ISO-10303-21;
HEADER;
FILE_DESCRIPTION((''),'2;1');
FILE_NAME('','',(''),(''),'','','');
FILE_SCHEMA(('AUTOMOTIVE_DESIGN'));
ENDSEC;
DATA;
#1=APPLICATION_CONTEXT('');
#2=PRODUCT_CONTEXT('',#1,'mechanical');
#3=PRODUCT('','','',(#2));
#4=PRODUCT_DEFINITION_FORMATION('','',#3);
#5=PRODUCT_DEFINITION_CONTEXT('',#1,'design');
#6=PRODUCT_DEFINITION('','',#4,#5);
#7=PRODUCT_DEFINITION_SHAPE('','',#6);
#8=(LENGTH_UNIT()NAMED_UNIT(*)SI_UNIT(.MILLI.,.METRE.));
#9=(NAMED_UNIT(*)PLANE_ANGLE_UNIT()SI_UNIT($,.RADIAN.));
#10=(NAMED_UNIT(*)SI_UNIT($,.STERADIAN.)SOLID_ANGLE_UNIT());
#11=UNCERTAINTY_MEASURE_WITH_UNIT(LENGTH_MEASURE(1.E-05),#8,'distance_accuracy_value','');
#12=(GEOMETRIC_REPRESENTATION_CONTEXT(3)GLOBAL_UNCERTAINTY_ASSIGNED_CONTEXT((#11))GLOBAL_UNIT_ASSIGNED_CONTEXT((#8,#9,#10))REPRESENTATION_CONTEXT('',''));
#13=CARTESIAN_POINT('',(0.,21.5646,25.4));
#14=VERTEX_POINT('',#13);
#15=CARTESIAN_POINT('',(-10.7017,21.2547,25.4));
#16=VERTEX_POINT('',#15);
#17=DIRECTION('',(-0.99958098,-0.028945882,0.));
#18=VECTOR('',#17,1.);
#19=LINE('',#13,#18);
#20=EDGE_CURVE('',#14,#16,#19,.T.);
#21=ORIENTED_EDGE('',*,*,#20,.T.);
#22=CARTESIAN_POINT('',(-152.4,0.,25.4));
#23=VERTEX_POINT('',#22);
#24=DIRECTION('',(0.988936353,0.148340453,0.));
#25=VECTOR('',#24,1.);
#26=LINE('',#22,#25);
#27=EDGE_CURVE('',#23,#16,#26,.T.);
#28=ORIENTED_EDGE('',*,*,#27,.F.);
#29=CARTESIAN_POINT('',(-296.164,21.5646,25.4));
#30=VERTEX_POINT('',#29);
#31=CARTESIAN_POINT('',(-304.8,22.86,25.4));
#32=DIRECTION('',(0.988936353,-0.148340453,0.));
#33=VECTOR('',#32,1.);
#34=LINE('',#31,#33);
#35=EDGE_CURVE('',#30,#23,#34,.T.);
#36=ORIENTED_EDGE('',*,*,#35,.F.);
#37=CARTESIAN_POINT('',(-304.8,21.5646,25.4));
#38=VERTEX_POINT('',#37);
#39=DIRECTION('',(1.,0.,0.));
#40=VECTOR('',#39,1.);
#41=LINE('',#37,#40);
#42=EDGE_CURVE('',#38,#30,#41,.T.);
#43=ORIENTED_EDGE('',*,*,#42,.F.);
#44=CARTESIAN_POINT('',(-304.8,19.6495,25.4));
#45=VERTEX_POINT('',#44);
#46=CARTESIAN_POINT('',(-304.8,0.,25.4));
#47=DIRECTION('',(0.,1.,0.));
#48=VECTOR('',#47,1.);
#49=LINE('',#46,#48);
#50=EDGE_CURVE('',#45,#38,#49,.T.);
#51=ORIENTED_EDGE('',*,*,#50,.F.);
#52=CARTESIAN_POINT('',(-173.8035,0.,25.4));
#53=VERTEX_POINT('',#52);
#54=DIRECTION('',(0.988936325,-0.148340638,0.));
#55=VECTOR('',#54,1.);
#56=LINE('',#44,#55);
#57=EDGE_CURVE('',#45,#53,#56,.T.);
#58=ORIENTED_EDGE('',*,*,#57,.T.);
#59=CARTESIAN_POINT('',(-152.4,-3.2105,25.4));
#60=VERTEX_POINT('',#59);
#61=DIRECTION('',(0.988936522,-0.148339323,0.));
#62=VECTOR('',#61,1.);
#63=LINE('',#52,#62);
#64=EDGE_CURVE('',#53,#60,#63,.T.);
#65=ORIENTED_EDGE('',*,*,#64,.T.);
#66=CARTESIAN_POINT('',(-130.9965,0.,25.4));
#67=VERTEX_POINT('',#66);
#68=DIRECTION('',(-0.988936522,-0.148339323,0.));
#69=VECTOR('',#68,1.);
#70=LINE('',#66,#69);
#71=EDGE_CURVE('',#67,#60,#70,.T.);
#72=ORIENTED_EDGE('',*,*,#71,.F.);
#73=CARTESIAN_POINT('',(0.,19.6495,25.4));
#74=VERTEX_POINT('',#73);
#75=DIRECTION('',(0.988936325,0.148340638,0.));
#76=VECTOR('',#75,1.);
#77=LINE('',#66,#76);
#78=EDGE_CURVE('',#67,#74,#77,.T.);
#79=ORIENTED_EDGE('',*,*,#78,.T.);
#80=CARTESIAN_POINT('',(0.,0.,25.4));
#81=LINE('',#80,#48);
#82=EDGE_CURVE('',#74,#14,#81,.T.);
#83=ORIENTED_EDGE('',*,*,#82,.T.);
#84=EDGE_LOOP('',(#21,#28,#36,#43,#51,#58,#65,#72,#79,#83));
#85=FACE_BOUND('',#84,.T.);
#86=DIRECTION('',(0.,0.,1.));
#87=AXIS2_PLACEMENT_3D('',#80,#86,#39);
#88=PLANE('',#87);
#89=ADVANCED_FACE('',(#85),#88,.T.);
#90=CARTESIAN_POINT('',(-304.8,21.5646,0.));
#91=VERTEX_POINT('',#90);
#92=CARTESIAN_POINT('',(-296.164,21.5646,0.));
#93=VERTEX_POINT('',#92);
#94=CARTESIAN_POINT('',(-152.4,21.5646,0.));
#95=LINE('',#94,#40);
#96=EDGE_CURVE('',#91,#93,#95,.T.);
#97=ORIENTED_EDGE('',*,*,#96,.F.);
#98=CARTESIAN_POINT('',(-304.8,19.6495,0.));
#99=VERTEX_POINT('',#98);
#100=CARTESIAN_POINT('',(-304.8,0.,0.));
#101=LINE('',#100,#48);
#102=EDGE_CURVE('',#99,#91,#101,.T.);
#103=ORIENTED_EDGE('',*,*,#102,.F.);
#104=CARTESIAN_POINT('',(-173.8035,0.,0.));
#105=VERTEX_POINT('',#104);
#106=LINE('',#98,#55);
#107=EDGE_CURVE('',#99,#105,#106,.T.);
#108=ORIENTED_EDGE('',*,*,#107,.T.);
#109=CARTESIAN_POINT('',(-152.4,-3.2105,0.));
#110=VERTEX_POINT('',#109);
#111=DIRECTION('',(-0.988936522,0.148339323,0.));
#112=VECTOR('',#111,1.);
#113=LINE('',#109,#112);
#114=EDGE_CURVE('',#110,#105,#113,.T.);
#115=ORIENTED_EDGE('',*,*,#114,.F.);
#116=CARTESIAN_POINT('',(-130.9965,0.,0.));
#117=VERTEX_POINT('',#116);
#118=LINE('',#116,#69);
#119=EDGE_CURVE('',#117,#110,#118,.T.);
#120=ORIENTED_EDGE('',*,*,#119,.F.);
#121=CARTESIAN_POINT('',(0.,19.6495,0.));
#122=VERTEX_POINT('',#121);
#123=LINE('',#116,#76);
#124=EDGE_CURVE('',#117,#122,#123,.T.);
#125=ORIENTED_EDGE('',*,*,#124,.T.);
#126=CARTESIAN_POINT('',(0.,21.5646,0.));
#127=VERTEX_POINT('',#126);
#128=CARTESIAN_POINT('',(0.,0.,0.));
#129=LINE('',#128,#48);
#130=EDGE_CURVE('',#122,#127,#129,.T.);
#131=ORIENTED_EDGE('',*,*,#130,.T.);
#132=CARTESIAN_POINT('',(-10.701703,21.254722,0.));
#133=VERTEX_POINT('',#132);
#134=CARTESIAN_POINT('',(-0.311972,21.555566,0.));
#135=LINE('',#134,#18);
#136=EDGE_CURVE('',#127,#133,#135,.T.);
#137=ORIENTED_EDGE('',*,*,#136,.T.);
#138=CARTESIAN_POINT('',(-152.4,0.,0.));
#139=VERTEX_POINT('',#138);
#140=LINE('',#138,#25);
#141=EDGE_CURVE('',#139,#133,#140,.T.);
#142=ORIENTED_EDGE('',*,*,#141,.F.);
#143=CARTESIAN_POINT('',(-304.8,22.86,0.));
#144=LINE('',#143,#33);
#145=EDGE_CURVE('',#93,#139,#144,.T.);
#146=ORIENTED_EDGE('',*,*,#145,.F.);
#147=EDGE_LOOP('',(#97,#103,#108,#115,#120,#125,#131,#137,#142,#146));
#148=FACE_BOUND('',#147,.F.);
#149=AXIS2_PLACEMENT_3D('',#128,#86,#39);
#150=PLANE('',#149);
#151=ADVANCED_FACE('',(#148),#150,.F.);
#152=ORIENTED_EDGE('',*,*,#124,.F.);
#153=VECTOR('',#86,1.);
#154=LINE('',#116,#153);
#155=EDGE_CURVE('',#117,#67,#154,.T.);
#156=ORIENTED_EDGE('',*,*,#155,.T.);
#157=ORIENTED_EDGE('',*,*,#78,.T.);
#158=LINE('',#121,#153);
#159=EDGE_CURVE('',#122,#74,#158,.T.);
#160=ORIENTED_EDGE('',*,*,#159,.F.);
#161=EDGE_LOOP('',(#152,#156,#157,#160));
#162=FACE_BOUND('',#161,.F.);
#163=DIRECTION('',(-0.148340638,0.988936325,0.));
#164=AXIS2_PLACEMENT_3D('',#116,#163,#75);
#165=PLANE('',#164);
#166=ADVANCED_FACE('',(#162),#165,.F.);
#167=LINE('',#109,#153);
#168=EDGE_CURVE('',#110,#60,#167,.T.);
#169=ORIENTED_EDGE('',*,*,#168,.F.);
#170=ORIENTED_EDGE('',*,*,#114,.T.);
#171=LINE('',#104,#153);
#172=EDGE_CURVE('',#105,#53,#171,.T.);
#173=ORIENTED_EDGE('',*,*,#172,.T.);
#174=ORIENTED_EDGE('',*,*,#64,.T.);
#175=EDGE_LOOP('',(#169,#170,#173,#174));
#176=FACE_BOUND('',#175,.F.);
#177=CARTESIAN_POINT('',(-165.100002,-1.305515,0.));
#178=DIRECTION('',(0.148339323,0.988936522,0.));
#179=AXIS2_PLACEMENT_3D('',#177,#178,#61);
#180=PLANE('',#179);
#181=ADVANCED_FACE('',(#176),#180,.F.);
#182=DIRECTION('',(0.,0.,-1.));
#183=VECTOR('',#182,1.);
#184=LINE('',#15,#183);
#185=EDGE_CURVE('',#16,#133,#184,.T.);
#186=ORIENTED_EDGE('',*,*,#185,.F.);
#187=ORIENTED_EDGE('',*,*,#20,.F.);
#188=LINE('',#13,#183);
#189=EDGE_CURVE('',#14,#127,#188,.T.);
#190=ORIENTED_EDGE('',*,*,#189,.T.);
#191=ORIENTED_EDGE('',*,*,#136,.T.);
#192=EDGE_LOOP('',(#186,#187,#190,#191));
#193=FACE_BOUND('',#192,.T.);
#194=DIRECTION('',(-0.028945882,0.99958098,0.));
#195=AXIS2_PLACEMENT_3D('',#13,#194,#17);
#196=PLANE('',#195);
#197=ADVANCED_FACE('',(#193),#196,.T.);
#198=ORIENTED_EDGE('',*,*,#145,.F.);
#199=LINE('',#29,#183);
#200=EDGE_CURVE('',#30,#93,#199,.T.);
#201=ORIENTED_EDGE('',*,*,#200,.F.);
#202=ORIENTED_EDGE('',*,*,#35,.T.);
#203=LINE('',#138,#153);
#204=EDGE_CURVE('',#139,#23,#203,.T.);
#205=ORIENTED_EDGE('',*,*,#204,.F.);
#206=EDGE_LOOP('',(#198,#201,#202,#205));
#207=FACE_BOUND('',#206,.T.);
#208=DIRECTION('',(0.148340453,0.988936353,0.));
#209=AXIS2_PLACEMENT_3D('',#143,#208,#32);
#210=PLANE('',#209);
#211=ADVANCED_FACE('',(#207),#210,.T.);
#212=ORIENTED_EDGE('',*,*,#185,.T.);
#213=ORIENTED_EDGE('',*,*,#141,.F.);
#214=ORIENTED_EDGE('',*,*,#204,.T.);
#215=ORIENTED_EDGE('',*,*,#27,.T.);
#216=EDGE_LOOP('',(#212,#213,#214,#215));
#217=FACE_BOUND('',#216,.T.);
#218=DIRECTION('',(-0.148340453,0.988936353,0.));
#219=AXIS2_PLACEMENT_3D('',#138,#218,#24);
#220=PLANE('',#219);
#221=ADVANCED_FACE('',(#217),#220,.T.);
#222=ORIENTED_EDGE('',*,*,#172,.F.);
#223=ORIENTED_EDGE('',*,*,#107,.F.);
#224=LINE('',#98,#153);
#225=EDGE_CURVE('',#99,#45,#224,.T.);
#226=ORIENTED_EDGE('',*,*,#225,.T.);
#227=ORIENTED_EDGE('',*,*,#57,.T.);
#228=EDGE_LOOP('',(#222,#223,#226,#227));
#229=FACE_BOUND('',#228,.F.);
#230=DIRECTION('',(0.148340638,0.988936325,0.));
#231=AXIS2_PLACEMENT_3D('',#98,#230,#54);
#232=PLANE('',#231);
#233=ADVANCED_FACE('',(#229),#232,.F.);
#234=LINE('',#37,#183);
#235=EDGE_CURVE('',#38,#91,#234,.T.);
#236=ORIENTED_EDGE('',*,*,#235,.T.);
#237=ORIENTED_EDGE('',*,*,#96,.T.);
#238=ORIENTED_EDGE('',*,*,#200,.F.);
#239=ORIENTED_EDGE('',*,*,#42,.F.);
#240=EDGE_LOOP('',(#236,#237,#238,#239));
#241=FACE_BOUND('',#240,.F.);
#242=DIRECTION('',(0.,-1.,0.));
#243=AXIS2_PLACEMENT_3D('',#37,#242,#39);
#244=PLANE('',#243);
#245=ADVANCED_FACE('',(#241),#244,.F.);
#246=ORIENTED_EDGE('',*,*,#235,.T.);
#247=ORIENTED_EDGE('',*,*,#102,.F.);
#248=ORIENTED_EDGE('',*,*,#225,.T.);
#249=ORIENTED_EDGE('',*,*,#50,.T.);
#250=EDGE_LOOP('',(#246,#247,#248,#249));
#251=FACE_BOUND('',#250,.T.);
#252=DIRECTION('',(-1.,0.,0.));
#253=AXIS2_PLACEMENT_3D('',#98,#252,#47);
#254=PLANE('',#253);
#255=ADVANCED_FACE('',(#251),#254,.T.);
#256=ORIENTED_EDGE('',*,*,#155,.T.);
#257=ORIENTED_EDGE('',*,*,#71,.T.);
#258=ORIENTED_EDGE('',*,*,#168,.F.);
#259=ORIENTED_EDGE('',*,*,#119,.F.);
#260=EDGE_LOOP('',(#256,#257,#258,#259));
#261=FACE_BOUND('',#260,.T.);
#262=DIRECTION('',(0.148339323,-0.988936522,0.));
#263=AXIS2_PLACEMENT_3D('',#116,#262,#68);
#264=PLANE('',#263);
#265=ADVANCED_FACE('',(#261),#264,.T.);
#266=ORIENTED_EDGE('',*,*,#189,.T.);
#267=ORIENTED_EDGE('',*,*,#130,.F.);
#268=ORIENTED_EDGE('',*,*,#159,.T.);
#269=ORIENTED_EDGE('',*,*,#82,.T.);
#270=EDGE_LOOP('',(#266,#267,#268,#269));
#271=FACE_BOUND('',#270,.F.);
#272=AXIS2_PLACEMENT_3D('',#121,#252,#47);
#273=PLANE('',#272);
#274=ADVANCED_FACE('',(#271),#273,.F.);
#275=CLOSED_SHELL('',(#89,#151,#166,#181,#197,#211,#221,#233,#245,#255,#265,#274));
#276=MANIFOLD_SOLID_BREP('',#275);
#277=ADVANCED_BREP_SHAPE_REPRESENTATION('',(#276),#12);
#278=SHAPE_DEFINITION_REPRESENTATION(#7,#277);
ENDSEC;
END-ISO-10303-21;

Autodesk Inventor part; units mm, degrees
ref_plane "YZ Plane" through (0, 0, 0) normal (1, 0, 0) x (0, 1, 0)
ref_plane "XZ Plane" through (0, 0, 0) normal (0, 1, 0) x (-1, 0, 0)
ref_plane "XY Plane" through (0, 0, 0) normal (0, 0, 1) x (1, 0, 0)
sketch "Sketch1" plane through (0, 0, 0) normal (0, 0, 1) x (1, 0, 0)
  line L0 (0, 0) -> (0, 22.86)
  line L1 (-304.8, 0) -> (-304.8, 22.86)
  line L2 (-304.8, 22.86) -> (-152.4, 0)
  line L3 (-152.4, 0) -> (0, 22.86)
  line L4 (-304.8, 19.6495) -> (-173.8035, 0)
  line L5 (-130.9965, 0) -> (0, 19.6495)
  line L6 (-173.8035, 0) -> (-152.4, -3.2105)
  line L7 (-130.9965, 0) -> (-152.4, -3.2105)
  line L8 (-304.8, 0) -> (-173.8035, 0)
  line L9 (-130.9965, 0) -> (0, 0)
  line L10 (-152.4, -3.2105) -> (-165.1, -3.2105)
  line L11 (-165.1, -3.2105) -> (-165.1, -1.3055)
  dimension "d0" = 22.86
  dimension "d2" = 304.8
  dimension "d4" = 3.175
  dimension "d5" = 3.175
  dimension "d8" = 12.7
extrude "Extrusion1" add sketch "Sketch1" along normal blind 25.4 contours L5 L7 L6 L4 L1 L2 L3 L0
sketch "Sketch2" plane through (0, 0, 25.4) normal (0, 0, 1) x (1, 0, 0)
  line L0 (0, 19.6495) -> (0, 22.86) projected
  line L1 (0, 22.86) -> (-152.4, 0) projected
  line L2 (-152.4, 0) -> (-304.8, 22.86) projected
  line L3 (-304.8, 22.86) -> (-304.8, 19.6495) projected
  line L4 (-304.8, 22.86) -> (-304.8, 21.5646)
  line L5 (-304.8, 21.5646) -> (-296.164, 21.5646)
  line L6 (0, 22.86) -> (0, 21.5646)
  line L7 (0, 21.5646) -> (-10.7017, 21.2547)
  point P0 (0, 0)
  dimension "d9" = 1.2954
  dimension "d10" = 1.2954
extrude "Extrusion2" cut sketch "Sketch2" against normal blind 50.8
properties part number "plough"
